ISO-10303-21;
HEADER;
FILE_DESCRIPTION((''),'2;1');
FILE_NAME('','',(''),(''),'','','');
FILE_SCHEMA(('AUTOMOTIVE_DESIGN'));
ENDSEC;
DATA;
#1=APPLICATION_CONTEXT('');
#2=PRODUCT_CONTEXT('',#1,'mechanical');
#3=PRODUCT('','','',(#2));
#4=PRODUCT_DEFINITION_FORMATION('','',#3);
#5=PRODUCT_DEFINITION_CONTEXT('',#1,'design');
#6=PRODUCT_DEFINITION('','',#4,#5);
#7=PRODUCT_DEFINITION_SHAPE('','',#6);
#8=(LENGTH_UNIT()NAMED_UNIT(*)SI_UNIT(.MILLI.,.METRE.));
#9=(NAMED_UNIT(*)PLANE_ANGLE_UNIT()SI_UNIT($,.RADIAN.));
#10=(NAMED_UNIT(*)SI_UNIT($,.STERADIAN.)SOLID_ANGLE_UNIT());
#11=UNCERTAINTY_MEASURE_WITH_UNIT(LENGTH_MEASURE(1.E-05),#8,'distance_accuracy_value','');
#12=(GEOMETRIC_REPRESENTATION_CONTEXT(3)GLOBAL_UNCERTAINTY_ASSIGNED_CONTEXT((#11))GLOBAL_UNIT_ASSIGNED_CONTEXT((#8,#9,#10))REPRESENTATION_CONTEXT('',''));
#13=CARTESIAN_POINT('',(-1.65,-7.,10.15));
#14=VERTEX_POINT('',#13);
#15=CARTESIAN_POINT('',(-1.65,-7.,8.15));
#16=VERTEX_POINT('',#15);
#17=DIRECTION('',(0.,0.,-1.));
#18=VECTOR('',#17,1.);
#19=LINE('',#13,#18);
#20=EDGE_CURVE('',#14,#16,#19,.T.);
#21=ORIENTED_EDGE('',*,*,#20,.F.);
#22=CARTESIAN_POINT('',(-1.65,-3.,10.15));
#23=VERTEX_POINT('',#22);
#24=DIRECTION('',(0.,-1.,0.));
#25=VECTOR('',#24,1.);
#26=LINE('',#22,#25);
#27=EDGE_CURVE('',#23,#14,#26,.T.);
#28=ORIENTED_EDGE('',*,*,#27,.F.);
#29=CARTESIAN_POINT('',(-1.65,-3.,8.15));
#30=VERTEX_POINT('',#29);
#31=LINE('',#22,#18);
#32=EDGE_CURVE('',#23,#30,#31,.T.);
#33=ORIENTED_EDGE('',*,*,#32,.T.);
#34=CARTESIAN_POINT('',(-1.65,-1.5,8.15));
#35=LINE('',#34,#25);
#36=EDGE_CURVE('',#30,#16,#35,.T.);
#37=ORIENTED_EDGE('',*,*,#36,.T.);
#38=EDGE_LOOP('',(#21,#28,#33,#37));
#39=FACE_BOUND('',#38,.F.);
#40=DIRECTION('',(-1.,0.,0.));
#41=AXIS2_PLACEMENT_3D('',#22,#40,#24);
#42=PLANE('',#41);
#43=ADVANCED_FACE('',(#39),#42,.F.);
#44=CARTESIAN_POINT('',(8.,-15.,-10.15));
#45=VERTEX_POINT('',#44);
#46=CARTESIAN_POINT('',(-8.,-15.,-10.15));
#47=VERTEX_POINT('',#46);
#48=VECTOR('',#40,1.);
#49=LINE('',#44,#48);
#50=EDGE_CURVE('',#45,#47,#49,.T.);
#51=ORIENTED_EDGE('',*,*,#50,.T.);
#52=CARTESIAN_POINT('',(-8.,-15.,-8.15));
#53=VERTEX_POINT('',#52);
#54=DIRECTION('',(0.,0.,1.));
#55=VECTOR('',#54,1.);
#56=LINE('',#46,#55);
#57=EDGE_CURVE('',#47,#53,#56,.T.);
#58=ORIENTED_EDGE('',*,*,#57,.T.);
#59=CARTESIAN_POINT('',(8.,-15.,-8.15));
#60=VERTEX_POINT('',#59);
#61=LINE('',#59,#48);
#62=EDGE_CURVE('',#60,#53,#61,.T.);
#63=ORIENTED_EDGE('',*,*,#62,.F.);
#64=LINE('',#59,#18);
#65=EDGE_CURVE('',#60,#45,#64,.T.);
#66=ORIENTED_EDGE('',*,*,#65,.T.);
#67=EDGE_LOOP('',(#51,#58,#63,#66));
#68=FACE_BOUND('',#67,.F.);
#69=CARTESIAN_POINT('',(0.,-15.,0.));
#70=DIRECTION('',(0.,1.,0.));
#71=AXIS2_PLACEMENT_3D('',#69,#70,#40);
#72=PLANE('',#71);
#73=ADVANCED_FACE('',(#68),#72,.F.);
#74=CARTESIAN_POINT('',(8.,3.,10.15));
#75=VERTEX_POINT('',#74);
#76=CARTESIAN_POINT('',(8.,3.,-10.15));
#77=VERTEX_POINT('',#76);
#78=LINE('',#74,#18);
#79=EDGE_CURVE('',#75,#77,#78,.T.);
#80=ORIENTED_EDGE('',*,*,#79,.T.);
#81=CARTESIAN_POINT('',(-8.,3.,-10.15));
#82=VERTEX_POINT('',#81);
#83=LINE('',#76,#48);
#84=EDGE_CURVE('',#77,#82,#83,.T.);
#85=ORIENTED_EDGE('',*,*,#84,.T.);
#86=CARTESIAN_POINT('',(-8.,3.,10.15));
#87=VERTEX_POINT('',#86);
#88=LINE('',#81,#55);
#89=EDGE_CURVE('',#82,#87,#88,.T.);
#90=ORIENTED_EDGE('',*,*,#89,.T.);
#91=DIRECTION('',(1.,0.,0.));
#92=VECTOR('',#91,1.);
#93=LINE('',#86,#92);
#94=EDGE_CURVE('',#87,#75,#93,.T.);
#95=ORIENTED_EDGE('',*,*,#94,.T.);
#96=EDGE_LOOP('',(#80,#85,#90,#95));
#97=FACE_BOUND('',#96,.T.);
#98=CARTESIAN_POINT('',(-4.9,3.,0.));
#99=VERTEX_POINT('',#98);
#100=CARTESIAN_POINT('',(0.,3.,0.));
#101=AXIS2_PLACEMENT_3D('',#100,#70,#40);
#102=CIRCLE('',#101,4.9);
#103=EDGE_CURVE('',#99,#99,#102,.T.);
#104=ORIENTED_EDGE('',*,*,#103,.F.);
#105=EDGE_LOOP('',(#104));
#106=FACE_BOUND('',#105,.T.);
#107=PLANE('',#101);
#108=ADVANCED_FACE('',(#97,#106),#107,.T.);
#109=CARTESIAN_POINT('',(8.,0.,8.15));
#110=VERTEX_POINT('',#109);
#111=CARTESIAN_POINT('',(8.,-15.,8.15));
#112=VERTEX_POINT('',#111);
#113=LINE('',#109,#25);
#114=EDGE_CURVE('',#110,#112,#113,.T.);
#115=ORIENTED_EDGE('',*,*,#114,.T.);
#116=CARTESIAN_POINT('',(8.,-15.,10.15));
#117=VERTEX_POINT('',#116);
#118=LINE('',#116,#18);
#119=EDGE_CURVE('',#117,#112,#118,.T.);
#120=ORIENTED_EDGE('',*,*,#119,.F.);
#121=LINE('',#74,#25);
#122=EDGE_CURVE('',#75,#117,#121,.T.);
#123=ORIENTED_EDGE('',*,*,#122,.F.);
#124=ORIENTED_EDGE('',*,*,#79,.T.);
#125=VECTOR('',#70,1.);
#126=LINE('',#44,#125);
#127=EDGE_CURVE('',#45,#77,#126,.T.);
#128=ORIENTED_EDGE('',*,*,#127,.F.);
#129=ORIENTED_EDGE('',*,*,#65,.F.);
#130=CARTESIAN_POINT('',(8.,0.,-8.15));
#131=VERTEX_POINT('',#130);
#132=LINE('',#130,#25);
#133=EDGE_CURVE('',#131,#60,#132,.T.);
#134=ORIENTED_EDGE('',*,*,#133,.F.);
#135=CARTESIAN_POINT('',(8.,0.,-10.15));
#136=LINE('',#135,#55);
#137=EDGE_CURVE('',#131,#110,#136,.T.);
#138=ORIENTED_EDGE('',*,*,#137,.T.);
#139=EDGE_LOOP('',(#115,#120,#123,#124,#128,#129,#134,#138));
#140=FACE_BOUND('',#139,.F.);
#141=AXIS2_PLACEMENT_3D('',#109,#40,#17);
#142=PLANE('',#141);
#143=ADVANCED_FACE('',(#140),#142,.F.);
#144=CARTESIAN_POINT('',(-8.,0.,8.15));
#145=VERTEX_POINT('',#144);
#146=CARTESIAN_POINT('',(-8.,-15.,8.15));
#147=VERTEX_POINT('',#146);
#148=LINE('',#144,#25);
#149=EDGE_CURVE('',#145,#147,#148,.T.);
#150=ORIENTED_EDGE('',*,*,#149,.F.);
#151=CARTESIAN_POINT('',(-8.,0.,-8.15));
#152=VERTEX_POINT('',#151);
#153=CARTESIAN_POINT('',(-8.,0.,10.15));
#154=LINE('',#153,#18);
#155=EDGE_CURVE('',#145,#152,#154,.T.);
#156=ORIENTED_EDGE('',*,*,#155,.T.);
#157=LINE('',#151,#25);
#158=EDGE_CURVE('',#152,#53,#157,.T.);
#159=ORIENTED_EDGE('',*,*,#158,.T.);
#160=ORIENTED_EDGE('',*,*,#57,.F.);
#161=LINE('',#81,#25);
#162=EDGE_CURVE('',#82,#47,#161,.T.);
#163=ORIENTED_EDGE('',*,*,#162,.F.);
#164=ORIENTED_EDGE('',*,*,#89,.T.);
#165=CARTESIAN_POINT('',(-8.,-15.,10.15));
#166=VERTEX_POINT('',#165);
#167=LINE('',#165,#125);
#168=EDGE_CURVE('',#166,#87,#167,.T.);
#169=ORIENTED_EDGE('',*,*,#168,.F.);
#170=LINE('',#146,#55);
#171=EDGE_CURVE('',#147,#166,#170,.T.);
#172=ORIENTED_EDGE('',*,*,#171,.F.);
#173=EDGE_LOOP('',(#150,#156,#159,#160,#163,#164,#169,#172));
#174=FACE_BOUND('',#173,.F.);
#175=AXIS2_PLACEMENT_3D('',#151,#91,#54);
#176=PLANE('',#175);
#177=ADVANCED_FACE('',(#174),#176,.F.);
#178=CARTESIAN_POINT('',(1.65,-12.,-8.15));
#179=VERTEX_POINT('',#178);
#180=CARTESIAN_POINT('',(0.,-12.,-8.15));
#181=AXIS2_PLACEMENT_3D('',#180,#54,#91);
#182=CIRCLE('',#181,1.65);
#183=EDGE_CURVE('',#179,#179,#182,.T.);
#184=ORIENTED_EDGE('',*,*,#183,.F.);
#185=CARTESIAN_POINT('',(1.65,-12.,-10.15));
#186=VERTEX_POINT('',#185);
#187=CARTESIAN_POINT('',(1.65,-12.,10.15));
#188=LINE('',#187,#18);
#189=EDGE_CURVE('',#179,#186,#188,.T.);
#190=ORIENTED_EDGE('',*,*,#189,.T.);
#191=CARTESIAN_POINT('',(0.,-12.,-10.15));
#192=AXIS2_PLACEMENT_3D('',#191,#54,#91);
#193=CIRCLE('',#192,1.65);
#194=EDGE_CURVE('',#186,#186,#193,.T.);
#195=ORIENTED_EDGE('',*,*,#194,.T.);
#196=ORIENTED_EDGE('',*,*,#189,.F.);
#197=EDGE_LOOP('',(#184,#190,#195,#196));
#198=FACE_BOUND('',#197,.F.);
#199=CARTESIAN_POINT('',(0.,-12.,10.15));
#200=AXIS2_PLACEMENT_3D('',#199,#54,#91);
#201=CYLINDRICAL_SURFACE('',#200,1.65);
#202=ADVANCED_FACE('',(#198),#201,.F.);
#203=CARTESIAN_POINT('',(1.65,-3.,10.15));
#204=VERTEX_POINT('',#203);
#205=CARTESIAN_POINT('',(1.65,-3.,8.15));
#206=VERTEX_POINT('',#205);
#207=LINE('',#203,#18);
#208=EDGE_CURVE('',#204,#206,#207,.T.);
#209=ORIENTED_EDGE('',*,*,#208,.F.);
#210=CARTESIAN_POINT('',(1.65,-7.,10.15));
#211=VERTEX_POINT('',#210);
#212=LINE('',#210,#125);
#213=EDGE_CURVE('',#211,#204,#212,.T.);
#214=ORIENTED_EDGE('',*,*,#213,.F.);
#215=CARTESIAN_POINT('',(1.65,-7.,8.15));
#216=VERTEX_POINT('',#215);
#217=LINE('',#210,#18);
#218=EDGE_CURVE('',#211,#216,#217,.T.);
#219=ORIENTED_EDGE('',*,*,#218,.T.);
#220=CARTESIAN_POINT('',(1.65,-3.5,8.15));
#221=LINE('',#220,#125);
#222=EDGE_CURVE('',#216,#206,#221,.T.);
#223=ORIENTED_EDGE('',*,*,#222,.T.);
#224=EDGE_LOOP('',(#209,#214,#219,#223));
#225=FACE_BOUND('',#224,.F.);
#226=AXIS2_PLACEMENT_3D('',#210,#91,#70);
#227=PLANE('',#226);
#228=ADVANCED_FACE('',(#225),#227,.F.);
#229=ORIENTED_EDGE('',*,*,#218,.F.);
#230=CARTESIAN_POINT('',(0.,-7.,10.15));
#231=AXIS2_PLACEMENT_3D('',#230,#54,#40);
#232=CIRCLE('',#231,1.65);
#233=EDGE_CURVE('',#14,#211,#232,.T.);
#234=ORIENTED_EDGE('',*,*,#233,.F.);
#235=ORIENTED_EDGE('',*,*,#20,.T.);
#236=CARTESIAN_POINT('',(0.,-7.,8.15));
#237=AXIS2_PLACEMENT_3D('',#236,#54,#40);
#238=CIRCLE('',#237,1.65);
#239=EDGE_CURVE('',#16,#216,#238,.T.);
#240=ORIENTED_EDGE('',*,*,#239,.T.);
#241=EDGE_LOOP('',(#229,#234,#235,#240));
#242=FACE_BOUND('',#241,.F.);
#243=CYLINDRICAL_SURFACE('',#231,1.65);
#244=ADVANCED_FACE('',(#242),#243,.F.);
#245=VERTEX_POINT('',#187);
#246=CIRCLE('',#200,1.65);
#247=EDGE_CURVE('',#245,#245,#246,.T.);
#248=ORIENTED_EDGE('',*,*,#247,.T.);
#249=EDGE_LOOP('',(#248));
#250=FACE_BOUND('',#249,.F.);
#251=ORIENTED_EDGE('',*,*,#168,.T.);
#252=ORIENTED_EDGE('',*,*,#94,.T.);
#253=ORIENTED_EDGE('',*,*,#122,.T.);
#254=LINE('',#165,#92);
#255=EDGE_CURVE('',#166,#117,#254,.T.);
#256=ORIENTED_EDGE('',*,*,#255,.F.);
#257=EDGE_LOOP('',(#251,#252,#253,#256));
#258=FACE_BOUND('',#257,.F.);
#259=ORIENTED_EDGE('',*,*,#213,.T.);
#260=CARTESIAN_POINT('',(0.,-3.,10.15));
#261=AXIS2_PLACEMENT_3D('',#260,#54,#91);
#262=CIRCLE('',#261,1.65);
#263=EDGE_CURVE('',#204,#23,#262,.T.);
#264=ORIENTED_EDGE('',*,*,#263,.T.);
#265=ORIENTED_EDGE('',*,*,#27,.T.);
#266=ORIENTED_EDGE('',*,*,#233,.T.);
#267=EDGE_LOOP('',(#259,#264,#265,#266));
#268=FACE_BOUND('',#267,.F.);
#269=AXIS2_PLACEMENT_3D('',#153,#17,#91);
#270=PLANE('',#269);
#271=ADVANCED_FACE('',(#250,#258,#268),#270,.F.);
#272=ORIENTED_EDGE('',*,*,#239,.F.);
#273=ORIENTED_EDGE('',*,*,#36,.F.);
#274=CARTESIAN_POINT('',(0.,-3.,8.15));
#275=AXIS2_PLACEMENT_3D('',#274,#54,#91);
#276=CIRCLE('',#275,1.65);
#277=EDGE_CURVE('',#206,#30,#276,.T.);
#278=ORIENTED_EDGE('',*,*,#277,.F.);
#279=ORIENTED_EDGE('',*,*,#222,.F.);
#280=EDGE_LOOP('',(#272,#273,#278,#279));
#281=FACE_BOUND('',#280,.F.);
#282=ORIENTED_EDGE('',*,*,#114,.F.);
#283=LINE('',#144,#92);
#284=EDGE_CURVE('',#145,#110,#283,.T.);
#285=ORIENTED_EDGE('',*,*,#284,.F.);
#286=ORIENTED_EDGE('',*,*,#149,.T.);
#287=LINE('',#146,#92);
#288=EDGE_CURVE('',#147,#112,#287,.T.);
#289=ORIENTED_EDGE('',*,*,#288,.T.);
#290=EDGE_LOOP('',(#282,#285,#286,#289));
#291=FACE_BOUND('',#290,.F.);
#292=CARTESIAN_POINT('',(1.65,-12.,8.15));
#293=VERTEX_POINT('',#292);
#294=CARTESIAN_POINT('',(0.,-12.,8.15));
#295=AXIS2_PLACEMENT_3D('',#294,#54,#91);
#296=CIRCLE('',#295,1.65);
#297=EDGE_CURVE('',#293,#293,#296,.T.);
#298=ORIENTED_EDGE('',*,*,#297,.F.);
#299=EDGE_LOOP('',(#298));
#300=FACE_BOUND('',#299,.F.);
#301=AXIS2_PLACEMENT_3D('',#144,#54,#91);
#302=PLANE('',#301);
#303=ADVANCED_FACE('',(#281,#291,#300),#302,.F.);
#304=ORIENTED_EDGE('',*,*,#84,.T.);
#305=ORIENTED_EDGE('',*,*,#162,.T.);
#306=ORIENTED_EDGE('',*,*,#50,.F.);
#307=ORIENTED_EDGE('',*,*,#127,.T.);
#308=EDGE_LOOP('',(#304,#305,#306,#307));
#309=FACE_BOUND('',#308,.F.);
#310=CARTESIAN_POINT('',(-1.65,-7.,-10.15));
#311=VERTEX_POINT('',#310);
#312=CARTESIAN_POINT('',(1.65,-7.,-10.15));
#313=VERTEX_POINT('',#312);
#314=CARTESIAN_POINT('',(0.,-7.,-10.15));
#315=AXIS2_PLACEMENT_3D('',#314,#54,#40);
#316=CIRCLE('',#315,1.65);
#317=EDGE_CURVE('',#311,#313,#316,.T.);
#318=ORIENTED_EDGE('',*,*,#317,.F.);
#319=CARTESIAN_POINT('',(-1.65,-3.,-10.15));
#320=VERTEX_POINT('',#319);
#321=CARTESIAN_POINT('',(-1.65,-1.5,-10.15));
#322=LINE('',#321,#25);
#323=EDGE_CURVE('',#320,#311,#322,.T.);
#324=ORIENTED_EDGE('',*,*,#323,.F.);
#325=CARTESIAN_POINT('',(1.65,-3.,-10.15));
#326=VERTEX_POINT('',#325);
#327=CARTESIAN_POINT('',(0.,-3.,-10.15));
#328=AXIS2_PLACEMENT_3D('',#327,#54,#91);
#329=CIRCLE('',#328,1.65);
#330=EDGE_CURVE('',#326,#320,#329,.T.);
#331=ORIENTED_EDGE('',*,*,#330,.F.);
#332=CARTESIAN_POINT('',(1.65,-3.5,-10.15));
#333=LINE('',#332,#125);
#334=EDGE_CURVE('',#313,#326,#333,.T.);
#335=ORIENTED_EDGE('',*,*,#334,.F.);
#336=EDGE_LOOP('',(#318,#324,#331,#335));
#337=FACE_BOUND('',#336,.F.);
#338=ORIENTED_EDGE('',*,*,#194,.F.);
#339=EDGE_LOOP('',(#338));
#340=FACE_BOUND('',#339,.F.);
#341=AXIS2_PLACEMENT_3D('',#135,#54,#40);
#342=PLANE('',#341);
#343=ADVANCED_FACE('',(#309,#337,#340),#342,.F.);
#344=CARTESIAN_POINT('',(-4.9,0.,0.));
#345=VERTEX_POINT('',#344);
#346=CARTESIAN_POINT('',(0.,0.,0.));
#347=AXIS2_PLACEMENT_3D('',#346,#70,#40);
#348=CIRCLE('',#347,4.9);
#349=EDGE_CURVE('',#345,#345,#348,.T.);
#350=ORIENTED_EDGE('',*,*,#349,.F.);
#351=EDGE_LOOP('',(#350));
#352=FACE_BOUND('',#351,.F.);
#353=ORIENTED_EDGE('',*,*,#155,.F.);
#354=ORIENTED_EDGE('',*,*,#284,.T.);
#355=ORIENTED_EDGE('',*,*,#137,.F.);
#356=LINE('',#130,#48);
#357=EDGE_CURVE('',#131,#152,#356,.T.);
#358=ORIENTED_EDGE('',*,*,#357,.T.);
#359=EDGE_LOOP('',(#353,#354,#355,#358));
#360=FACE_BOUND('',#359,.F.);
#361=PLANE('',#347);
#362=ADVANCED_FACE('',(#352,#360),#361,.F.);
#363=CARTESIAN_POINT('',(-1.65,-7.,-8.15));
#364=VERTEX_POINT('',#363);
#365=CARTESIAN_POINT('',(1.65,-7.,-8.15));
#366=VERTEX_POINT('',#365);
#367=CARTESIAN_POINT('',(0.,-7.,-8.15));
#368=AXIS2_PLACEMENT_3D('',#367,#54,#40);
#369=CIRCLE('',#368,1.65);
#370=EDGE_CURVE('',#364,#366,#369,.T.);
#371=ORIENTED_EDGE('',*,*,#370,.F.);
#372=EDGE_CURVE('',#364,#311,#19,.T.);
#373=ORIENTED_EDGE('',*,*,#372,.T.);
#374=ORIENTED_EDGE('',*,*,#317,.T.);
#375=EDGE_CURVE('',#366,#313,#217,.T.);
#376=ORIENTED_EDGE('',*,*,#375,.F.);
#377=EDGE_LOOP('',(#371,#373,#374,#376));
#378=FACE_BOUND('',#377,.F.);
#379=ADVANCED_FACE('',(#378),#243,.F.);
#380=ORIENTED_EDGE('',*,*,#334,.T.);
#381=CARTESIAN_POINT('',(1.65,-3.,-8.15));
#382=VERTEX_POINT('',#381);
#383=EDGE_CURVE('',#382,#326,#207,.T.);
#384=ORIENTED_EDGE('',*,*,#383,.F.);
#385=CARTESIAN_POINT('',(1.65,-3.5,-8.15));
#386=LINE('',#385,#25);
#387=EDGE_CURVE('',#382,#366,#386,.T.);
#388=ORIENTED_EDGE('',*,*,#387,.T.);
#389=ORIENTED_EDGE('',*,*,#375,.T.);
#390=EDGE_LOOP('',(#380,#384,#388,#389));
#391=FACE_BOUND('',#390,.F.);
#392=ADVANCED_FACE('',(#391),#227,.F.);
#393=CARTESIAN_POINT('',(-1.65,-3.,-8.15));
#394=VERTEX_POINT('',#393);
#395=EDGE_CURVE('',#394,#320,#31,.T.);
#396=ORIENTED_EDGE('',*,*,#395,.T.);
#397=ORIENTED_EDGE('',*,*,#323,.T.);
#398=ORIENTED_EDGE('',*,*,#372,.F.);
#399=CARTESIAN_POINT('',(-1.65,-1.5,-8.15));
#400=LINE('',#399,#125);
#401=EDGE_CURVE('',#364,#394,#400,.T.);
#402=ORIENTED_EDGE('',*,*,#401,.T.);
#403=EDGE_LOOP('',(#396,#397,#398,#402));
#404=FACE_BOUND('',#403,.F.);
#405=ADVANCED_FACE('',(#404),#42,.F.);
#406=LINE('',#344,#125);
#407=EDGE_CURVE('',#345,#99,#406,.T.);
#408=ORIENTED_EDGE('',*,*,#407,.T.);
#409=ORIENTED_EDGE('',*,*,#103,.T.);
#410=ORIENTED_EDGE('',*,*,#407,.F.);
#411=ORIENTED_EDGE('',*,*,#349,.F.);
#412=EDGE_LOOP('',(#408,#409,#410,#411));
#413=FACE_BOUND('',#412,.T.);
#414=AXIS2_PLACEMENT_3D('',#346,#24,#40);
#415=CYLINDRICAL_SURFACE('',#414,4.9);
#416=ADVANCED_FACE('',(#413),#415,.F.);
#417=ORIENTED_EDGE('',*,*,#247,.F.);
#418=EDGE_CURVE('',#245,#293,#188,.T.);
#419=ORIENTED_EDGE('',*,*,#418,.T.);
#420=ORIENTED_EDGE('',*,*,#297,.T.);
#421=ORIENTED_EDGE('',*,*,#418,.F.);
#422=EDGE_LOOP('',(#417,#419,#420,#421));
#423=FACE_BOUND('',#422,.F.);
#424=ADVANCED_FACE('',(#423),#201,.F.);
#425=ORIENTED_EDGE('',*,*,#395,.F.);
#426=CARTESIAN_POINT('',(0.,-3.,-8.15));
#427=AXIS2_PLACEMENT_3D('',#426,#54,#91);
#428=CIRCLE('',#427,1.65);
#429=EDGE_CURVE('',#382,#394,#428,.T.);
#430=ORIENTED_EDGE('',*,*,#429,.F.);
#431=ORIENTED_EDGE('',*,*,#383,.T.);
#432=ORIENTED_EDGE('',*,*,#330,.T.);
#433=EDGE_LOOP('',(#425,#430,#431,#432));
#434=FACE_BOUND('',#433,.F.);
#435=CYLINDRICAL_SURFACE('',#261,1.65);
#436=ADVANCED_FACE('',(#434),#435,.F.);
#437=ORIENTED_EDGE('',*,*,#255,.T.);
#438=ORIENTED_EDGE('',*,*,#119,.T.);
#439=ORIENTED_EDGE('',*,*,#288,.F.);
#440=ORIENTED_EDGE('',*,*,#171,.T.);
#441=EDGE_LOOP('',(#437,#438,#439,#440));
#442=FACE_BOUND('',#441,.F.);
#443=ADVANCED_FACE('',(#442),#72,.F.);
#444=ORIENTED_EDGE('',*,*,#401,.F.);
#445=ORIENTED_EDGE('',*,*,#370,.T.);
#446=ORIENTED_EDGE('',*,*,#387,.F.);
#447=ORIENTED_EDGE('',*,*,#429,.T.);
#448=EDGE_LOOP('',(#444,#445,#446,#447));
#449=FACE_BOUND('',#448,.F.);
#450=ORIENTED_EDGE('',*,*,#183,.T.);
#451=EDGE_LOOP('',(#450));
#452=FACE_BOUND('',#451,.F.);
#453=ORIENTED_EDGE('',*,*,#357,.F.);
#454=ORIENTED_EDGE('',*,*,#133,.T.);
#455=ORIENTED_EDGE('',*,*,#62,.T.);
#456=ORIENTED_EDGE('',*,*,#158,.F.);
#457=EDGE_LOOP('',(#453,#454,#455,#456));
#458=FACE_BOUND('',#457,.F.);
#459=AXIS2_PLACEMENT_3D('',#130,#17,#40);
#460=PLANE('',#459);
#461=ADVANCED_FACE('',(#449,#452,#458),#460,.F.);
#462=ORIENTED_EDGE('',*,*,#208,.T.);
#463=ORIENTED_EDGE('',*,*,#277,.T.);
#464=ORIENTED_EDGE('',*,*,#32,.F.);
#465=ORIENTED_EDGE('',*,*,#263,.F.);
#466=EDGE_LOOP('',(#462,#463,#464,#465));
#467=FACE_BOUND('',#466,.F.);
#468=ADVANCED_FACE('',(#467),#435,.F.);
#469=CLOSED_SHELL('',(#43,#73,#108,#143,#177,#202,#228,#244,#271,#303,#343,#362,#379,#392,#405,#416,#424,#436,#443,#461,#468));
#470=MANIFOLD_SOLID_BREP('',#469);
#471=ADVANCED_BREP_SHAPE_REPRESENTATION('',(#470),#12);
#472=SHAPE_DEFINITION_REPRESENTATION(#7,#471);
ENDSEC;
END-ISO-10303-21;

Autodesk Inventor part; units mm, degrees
ref_plane "YZ Plane" through (0, 0, 0) normal (1, 0, 0) x (0, 1, 0)
ref_plane "XZ Plane" through (0, 0, 0) normal (0, 1, 0) x (-1, 0, 0)
ref_plane "XY Plane" through (0, 0, 0) normal (0, 0, 1) x (1, 0, 0)
sketch "Sketch1" plane through (0, 0, 0) normal (0, 1, 0) x (-1, 0, 0)
  circle A0 centre (0, 0) radius 4.9
  circle A1 centre (0, 0) radius 6.9
  line L0 (6.9, 8) -> (-5.9499, 8) construction
  line L1 (6.9, -8) -> (-5.9499, -8) construction
  line L2 (8, 8.15) -> (-8, 8.15)
  line L3 (-8, 8.15) -> (-8, -8.15)
  line L4 (-8, -8.15) -> (8, -8.15)
  line L5 (8, -8.15) -> (8, 8.15)
  line L6 (8, 8.15) -> (8, 10.15)
  line L7 (8, 10.15) -> (-8, 10.15)
  line L8 (-8, 10.15) -> (-8, 8.15)
  line L9 (-8, -8.15) -> (-8, -10.15)
  line L10 (-8, -10.15) -> (8, -10.15)
  line L11 (8, -10.15) -> (8, -8.15)
  point P0 (0, -8.15)
  dimension "d0" = 9.8
  dimension "d1" = 2
  dimension "d2" = 16
  dimension "d3" = 8
  dimension "d4" = 0.15
  dimension "d5" = 0.15
  dimension "d6" = 16
  dimension "d7" = 2
  dimension "d8" = 2
extrude "Extrusion1" add sketch "Sketch1" along normal blind 3 contours A1 | L5 L4 L3 L2 | L2 L8 L7 L6 | L11 L10 L9 L4
extrude "Extrusion2" add sketch "Sketch1" against normal blind 15 contours L2 L8 L7 L6 | L11 L10 L9 L4
sketch "Sketch2" plane through (-8, 3, 10.15) normal (0, 0, 1) x (1, 0, 0)
  circle A0 centre (8, -15) radius 1.65
  line L0 (16, -18) -> (0, -18) projected
  point P0 (8, -3)
  point P1 (8, -18)
  dimension "d13" = 3.3
  dimension "d14" = 3
extrude "Extrusion3" cut sketch "Sketch2" against normal through all
sketch "Sketch3" plane through (-8, 3, 10.15) normal (0, 0, 1) x (1, 0, 0)
  line L0 (8, -10) -> (8, -6) construction
  line L1 (9.65, -10) -> (9.65, -6)
  line L2 (6.35, -6) -> (6.35, -10)
  arc A0 (6.35, -10) -> (9.65, -10) centre (8, -10) ccw
  arc A1 (9.65, -6) -> (6.35, -6) centre (8, -6) ccw
  circle A2 centre (8, -15) radius 1.65 projected
  point P0 (8, -3)
  point P1 (8, -8)
  dimension "d17" = 3.3
  dimension "d18" = 4
  dimension "d19" = 5
extrude "Extrusion4" cut sketch "Sketch3" against normal through all contours A0 L2 A1 L1
properties part number "ShaftSyncAdapter" material "ABS Plastic"
